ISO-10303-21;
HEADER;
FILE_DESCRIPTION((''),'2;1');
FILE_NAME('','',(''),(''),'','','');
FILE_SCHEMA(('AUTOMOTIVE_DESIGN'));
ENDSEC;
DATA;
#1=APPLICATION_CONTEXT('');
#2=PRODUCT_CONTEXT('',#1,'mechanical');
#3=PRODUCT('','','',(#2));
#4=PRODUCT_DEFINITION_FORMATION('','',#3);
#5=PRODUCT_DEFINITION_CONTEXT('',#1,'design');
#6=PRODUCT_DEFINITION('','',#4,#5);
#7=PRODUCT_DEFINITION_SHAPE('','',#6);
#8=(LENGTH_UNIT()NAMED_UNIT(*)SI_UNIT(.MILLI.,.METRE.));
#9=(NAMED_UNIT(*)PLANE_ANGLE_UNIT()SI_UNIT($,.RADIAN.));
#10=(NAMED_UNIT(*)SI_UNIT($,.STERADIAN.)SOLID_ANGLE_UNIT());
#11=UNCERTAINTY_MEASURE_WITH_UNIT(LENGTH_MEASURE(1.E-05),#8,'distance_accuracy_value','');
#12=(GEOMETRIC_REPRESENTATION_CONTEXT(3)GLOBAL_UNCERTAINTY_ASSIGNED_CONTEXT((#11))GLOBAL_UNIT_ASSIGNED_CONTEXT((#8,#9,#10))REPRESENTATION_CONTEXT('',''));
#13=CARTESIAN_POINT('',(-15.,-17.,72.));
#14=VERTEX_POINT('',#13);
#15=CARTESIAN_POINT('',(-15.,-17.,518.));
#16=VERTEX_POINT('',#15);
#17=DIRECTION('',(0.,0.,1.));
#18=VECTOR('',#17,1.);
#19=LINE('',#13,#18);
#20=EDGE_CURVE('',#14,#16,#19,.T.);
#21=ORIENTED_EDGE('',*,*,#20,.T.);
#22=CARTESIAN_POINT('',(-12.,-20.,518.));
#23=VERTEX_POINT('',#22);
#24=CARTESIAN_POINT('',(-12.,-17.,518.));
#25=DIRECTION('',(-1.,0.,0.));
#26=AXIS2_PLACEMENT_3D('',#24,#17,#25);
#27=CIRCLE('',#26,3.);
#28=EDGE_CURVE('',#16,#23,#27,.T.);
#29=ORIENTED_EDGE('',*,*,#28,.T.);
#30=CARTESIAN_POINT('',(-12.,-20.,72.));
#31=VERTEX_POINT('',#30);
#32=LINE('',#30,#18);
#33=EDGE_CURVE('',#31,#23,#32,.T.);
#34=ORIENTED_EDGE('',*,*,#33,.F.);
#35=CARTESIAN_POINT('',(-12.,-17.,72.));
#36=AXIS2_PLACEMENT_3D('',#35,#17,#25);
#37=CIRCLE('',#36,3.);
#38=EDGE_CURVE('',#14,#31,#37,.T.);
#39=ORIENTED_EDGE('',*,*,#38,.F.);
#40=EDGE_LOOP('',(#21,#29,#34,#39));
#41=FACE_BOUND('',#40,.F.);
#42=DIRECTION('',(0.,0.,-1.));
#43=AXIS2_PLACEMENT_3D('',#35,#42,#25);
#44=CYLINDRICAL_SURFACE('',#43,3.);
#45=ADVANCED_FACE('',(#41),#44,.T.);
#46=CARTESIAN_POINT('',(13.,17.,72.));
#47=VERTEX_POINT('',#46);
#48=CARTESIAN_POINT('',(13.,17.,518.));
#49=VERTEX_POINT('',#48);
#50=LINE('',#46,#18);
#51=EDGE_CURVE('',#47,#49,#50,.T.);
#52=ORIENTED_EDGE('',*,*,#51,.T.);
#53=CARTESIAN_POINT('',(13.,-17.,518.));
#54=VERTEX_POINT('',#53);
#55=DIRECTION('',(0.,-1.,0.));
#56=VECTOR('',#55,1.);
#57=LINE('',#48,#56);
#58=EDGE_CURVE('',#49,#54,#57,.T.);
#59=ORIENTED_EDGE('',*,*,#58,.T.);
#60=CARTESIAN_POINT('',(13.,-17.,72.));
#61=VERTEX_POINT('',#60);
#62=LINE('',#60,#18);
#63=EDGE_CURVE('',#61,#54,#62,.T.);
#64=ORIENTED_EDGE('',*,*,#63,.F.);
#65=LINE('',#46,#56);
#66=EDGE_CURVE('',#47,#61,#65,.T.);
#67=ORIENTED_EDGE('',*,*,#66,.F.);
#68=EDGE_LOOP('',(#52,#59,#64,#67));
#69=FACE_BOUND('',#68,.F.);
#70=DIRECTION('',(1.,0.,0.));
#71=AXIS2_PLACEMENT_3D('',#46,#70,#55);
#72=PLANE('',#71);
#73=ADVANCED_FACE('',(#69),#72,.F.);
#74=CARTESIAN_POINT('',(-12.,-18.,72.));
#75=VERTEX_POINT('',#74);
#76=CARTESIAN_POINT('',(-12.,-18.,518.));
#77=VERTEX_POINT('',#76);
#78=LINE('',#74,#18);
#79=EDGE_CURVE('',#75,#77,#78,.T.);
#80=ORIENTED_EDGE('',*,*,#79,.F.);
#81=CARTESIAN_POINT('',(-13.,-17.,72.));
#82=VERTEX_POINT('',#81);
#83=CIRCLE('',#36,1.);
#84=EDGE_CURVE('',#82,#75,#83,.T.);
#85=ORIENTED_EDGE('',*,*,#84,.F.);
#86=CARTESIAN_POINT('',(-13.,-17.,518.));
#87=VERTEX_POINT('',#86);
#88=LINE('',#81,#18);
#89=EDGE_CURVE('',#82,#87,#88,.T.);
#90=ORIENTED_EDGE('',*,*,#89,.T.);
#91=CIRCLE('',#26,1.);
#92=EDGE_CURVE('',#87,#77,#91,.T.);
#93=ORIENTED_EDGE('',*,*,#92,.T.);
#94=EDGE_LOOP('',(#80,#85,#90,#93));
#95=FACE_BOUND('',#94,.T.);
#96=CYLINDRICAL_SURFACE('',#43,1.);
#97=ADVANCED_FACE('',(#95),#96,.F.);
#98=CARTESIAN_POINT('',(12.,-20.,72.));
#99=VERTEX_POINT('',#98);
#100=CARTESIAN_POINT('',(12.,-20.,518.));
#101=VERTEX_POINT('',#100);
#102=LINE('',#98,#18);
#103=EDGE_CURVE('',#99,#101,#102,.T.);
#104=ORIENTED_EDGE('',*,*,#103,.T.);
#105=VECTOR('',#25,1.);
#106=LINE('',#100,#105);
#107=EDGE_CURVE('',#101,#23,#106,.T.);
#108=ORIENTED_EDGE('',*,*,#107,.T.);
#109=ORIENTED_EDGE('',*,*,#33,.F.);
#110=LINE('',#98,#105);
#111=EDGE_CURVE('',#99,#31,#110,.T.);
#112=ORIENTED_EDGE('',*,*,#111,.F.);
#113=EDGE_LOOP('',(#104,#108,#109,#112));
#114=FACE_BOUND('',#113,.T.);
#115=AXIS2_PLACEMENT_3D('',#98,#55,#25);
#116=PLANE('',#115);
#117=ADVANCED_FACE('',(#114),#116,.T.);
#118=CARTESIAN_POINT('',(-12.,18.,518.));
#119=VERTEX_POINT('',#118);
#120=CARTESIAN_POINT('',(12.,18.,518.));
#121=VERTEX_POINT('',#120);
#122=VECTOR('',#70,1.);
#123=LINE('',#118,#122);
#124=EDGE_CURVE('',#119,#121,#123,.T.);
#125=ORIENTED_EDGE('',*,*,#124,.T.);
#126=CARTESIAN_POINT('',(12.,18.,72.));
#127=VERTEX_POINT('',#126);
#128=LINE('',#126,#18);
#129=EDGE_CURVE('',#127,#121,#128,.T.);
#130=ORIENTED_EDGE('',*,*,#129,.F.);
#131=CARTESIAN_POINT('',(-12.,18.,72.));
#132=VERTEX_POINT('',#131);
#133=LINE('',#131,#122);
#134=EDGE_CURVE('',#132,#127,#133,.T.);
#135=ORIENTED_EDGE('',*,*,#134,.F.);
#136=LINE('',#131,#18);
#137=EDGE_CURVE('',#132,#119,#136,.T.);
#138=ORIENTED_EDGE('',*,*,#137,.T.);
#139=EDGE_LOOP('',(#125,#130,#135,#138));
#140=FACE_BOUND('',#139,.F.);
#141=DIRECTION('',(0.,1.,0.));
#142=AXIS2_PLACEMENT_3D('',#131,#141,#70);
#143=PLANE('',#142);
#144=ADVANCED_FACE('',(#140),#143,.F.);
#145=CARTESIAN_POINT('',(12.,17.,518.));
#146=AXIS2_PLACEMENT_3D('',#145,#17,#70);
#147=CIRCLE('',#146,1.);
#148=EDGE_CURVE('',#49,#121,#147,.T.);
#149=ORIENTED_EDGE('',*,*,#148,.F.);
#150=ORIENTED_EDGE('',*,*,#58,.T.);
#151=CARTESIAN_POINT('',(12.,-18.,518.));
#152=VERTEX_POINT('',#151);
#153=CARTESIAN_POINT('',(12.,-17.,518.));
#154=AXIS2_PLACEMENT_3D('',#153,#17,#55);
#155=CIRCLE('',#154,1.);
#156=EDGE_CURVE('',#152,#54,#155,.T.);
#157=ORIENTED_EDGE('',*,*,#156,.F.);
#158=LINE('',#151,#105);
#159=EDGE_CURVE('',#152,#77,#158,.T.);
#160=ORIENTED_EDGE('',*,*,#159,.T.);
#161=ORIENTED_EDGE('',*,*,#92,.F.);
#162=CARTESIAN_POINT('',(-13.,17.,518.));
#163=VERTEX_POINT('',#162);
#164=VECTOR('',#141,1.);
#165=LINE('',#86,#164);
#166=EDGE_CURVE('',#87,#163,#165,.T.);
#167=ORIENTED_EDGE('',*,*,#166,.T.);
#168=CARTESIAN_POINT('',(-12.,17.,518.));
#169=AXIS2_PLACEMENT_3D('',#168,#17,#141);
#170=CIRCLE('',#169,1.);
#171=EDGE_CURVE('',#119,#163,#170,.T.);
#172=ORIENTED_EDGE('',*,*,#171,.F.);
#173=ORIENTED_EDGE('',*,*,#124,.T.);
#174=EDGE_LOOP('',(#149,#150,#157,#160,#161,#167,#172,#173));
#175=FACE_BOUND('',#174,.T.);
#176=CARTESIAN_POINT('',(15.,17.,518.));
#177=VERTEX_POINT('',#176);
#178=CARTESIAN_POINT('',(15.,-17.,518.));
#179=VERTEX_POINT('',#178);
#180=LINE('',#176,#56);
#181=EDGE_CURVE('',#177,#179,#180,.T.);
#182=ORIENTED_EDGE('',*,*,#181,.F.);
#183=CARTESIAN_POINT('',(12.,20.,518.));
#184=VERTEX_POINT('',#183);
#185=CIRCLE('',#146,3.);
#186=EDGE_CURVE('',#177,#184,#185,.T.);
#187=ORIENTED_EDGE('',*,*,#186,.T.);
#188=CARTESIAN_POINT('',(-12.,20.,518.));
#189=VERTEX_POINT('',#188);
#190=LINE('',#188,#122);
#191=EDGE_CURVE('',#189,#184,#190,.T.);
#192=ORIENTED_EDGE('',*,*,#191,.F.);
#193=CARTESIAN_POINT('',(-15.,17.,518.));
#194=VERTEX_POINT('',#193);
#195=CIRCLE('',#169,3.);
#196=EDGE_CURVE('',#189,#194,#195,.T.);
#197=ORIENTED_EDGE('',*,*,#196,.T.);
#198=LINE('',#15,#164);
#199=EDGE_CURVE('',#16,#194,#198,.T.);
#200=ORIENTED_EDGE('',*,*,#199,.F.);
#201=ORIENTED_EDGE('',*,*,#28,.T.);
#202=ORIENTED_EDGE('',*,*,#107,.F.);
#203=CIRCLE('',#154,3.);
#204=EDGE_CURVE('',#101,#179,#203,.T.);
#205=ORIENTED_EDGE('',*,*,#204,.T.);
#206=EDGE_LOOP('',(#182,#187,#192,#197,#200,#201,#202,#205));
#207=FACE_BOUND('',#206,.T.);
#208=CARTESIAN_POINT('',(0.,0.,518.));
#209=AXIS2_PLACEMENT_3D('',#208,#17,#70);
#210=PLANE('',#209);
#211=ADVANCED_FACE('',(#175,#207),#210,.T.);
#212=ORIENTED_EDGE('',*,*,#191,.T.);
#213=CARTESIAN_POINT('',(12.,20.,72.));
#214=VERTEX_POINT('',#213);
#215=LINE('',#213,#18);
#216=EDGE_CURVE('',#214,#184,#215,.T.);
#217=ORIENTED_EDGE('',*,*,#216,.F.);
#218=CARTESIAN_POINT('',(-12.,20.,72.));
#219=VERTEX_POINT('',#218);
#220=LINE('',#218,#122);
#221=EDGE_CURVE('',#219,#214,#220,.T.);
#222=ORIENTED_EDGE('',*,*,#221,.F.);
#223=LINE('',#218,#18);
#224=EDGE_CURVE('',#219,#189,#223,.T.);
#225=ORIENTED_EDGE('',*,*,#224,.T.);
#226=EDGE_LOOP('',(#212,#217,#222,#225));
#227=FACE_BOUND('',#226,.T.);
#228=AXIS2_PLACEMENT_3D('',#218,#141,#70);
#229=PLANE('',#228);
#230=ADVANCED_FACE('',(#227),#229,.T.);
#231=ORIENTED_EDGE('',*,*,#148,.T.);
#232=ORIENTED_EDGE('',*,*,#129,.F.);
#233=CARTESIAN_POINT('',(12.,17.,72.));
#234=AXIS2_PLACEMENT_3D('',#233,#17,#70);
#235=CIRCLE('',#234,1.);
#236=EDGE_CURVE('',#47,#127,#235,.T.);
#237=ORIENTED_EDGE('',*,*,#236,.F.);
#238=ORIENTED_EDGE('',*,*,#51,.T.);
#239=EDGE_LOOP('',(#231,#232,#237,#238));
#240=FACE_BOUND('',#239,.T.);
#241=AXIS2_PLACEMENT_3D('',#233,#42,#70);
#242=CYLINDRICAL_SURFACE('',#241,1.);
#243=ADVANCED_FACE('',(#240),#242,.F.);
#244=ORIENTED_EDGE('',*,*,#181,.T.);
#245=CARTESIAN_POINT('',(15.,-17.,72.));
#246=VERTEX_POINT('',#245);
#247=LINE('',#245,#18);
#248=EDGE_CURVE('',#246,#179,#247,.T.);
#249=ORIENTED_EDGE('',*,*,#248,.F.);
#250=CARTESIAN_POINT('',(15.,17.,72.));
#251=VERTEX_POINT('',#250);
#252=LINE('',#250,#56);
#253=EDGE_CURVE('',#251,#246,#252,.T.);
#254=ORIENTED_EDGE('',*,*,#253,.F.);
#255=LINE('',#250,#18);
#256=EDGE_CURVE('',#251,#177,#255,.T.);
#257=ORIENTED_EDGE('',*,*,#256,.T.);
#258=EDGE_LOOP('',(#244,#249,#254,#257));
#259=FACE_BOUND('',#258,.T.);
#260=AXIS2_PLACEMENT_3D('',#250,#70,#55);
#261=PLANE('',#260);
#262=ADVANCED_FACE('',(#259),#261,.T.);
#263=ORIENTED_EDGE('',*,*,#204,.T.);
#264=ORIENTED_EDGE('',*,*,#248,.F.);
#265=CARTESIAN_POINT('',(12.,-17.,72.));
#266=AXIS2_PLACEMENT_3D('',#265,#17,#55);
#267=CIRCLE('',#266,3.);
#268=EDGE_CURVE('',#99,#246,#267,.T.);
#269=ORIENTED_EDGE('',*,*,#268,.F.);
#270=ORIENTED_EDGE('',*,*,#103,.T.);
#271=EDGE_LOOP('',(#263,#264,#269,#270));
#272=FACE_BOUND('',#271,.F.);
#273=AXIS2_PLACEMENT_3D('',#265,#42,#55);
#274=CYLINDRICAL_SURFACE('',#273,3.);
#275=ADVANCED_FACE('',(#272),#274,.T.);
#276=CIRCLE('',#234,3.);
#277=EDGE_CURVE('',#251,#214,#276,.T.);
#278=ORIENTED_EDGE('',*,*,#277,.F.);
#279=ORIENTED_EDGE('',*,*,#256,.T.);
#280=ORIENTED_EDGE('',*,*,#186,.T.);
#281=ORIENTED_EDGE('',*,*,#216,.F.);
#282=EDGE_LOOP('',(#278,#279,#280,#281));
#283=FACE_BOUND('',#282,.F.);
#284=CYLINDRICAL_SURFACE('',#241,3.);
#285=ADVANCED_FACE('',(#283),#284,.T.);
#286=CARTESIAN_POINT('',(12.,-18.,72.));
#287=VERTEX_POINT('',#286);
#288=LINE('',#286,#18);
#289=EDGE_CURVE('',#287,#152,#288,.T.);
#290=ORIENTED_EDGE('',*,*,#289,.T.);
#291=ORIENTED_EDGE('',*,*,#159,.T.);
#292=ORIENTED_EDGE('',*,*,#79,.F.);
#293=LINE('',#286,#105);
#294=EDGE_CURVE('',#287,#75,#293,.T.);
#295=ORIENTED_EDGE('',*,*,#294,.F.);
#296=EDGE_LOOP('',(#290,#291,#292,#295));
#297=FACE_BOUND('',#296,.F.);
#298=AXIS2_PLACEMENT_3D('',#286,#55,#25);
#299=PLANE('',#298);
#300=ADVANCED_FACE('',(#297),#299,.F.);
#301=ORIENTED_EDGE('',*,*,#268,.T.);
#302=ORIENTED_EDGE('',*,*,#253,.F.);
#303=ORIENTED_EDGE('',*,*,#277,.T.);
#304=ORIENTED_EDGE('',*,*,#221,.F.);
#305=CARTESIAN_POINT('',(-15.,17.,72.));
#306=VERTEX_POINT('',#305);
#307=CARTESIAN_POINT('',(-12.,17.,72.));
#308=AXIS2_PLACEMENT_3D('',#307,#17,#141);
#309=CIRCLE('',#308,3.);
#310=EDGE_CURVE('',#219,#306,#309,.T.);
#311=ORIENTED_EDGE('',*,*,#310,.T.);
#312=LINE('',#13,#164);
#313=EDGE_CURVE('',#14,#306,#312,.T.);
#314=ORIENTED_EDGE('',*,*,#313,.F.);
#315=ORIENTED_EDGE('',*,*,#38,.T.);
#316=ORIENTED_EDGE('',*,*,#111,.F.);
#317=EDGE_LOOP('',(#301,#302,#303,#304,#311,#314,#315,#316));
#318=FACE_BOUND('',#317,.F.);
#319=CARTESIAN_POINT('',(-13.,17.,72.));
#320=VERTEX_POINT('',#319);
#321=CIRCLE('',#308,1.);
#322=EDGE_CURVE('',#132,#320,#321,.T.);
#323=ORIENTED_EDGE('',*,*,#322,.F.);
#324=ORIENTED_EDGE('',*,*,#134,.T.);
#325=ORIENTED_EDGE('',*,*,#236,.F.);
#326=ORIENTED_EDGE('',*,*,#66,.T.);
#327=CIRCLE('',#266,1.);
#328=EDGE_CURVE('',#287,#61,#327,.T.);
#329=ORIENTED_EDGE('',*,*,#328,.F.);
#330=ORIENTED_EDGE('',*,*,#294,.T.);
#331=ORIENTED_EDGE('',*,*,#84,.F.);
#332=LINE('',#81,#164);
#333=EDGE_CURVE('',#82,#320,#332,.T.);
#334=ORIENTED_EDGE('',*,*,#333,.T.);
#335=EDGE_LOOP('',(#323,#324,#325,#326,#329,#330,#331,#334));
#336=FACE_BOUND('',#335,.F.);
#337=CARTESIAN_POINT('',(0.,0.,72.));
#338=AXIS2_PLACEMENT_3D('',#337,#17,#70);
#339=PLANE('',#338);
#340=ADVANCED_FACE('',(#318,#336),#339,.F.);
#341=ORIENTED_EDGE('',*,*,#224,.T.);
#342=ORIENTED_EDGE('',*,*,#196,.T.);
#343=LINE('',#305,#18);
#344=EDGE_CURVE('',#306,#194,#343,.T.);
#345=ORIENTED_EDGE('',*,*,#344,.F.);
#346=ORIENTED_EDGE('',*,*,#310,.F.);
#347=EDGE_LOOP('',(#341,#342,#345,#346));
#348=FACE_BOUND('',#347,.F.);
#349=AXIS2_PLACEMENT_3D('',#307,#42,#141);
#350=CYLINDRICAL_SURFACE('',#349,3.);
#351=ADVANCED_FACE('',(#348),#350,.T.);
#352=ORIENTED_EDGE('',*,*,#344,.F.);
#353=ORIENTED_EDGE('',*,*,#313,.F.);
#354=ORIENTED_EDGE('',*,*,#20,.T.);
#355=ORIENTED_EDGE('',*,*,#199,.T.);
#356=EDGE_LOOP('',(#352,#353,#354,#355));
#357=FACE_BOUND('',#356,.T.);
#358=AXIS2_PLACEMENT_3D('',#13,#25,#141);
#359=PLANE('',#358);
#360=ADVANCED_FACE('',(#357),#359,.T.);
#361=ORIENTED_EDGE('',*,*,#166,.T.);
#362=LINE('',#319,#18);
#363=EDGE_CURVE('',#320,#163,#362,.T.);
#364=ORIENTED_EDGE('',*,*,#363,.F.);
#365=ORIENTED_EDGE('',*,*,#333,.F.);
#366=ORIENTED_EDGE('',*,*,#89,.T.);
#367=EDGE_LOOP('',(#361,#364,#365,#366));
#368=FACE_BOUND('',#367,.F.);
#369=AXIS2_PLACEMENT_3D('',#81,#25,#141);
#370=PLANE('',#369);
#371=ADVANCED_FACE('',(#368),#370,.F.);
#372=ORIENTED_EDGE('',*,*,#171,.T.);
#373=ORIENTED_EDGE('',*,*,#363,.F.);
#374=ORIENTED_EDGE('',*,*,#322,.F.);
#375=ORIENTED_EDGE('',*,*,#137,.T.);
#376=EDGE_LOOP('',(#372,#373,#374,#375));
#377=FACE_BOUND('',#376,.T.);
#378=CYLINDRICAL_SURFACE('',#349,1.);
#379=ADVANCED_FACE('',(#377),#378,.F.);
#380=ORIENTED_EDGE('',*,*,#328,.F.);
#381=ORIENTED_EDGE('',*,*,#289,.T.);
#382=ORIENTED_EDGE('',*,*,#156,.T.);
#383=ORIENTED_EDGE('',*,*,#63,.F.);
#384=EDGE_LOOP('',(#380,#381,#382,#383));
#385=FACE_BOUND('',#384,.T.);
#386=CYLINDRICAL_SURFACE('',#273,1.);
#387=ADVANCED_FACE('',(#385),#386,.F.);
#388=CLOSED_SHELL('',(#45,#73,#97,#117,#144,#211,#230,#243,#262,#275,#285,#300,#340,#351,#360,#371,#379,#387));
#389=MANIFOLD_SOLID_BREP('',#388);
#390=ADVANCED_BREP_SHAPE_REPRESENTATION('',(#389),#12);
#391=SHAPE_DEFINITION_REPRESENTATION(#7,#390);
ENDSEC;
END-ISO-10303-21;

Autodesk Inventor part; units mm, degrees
ref_plane "Start plane" through (0, 0, 72) normal (0, 0, 1) x (1, 0, 0)
ref_plane "End plane" through (0, 0, 518) normal (0, 0, 1) x (1, 0, 0)
sketch "Sketch" plane through (0, 0, 0) normal (0, 0, 1) x (1, 0, 0)
  line L0 (-15, -17) -> (-15, 17)
  line L1 (-12, 20) -> (12, 20)
  line L2 (15, 17) -> (15, -17)
  line L3 (12, -20) -> (-12, -20)
  arc A0 (-15, -17) -> (-12, -20) centre (-12, -17) ccw
  arc A1 (-12, 20) -> (-15, 17) centre (-12, 17) ccw
  arc A2 (15, 17) -> (12, 20) centre (12, 17) ccw
  arc A3 (12, -20) -> (15, -17) centre (12, -17) ccw
  arc A4 (-12, 18) -> (-13, 17) centre (-12, 17) ccw
  line L4 (-12, 18) -> (12, 18)
  arc A5 (13, 17) -> (12, 18) centre (12, 17) ccw
  line L5 (13, 17) -> (13, -17)
  arc A6 (12, -18) -> (13, -17) centre (12, -17) ccw
  line L6 (12, -18) -> (-12, -18)
  arc A7 (-13, -17) -> (-12, -18) centre (-12, -17) ccw
  line L7 (-13, -17) -> (-13, 17)
  line L8 (0, 28.8698) -> (0, -28.8698) construction
  line L9 (-21.8698, 0) -> (21.8698, 0) construction
  dimension "d7" = 3
  dimension "d10" = 40
  dimension "d11" = 30
  dimension "d12" = 2
  dimension "d15" = 20
  dimension "d16" = 15
extrude "Body" add sketch "Sketch" along normal up to surface (446 mm away) from surface at 72
sketch "Sketch3" plane through (0, 0, 0) normal (0, 0, 1) x (1, 0, 0)
  line L0 (0, 0) -> (10, 0)
ref_plane "Work Plane3" through (0, 0, 0) normal (0, -1, 0) x (1, 0, 0)
sketch "Sketch4" plane through (0, 0, 0) normal (0, -1, 0) x (1, 0, 0)
  line L0 (-2, 72) -> (12, 72)
  line L1 (-2, 518) -> (12, 518)
  dimension "d18" = 446
ref_plane "Work Plane4" through (17, -475, 72) normal (0, 0, -1) x (-1, 0, 0)
split "Split1" plane through (17, -475, 72) removes the side toward (0, 0, -1)
equation "\"d7\" = G_IR"
equation "\"d10\" = G_H"
equation "\"d11\" = G_W"
equation "\"d12\" = G_T"
equation "\"d15\" = 0.5 * d10"
equation "\"d16\" = 0.5 * d11"
equation "\"d3\" = G_L"
equation "\"G_W\" = 30"
equation "\"G_H\" = 40"
equation "\"G_T\" = 2"
equation "\"G_IR\" = 3"
equation "\"G_L\" = d18"
equation "\"G_OFFSET_START\" = -72"
equation "\"G_OFFSET_END\" = 0"
equation "\"d13\" = -G_OFFSET_START"
equation "\"d14\" = G_OFFSET_END + B_L"
equation "\"B_L\" = 518"
properties part number "UNI EN 10305-5 - 40 x 30 x 2  - 446" material "Steel, Mild"
